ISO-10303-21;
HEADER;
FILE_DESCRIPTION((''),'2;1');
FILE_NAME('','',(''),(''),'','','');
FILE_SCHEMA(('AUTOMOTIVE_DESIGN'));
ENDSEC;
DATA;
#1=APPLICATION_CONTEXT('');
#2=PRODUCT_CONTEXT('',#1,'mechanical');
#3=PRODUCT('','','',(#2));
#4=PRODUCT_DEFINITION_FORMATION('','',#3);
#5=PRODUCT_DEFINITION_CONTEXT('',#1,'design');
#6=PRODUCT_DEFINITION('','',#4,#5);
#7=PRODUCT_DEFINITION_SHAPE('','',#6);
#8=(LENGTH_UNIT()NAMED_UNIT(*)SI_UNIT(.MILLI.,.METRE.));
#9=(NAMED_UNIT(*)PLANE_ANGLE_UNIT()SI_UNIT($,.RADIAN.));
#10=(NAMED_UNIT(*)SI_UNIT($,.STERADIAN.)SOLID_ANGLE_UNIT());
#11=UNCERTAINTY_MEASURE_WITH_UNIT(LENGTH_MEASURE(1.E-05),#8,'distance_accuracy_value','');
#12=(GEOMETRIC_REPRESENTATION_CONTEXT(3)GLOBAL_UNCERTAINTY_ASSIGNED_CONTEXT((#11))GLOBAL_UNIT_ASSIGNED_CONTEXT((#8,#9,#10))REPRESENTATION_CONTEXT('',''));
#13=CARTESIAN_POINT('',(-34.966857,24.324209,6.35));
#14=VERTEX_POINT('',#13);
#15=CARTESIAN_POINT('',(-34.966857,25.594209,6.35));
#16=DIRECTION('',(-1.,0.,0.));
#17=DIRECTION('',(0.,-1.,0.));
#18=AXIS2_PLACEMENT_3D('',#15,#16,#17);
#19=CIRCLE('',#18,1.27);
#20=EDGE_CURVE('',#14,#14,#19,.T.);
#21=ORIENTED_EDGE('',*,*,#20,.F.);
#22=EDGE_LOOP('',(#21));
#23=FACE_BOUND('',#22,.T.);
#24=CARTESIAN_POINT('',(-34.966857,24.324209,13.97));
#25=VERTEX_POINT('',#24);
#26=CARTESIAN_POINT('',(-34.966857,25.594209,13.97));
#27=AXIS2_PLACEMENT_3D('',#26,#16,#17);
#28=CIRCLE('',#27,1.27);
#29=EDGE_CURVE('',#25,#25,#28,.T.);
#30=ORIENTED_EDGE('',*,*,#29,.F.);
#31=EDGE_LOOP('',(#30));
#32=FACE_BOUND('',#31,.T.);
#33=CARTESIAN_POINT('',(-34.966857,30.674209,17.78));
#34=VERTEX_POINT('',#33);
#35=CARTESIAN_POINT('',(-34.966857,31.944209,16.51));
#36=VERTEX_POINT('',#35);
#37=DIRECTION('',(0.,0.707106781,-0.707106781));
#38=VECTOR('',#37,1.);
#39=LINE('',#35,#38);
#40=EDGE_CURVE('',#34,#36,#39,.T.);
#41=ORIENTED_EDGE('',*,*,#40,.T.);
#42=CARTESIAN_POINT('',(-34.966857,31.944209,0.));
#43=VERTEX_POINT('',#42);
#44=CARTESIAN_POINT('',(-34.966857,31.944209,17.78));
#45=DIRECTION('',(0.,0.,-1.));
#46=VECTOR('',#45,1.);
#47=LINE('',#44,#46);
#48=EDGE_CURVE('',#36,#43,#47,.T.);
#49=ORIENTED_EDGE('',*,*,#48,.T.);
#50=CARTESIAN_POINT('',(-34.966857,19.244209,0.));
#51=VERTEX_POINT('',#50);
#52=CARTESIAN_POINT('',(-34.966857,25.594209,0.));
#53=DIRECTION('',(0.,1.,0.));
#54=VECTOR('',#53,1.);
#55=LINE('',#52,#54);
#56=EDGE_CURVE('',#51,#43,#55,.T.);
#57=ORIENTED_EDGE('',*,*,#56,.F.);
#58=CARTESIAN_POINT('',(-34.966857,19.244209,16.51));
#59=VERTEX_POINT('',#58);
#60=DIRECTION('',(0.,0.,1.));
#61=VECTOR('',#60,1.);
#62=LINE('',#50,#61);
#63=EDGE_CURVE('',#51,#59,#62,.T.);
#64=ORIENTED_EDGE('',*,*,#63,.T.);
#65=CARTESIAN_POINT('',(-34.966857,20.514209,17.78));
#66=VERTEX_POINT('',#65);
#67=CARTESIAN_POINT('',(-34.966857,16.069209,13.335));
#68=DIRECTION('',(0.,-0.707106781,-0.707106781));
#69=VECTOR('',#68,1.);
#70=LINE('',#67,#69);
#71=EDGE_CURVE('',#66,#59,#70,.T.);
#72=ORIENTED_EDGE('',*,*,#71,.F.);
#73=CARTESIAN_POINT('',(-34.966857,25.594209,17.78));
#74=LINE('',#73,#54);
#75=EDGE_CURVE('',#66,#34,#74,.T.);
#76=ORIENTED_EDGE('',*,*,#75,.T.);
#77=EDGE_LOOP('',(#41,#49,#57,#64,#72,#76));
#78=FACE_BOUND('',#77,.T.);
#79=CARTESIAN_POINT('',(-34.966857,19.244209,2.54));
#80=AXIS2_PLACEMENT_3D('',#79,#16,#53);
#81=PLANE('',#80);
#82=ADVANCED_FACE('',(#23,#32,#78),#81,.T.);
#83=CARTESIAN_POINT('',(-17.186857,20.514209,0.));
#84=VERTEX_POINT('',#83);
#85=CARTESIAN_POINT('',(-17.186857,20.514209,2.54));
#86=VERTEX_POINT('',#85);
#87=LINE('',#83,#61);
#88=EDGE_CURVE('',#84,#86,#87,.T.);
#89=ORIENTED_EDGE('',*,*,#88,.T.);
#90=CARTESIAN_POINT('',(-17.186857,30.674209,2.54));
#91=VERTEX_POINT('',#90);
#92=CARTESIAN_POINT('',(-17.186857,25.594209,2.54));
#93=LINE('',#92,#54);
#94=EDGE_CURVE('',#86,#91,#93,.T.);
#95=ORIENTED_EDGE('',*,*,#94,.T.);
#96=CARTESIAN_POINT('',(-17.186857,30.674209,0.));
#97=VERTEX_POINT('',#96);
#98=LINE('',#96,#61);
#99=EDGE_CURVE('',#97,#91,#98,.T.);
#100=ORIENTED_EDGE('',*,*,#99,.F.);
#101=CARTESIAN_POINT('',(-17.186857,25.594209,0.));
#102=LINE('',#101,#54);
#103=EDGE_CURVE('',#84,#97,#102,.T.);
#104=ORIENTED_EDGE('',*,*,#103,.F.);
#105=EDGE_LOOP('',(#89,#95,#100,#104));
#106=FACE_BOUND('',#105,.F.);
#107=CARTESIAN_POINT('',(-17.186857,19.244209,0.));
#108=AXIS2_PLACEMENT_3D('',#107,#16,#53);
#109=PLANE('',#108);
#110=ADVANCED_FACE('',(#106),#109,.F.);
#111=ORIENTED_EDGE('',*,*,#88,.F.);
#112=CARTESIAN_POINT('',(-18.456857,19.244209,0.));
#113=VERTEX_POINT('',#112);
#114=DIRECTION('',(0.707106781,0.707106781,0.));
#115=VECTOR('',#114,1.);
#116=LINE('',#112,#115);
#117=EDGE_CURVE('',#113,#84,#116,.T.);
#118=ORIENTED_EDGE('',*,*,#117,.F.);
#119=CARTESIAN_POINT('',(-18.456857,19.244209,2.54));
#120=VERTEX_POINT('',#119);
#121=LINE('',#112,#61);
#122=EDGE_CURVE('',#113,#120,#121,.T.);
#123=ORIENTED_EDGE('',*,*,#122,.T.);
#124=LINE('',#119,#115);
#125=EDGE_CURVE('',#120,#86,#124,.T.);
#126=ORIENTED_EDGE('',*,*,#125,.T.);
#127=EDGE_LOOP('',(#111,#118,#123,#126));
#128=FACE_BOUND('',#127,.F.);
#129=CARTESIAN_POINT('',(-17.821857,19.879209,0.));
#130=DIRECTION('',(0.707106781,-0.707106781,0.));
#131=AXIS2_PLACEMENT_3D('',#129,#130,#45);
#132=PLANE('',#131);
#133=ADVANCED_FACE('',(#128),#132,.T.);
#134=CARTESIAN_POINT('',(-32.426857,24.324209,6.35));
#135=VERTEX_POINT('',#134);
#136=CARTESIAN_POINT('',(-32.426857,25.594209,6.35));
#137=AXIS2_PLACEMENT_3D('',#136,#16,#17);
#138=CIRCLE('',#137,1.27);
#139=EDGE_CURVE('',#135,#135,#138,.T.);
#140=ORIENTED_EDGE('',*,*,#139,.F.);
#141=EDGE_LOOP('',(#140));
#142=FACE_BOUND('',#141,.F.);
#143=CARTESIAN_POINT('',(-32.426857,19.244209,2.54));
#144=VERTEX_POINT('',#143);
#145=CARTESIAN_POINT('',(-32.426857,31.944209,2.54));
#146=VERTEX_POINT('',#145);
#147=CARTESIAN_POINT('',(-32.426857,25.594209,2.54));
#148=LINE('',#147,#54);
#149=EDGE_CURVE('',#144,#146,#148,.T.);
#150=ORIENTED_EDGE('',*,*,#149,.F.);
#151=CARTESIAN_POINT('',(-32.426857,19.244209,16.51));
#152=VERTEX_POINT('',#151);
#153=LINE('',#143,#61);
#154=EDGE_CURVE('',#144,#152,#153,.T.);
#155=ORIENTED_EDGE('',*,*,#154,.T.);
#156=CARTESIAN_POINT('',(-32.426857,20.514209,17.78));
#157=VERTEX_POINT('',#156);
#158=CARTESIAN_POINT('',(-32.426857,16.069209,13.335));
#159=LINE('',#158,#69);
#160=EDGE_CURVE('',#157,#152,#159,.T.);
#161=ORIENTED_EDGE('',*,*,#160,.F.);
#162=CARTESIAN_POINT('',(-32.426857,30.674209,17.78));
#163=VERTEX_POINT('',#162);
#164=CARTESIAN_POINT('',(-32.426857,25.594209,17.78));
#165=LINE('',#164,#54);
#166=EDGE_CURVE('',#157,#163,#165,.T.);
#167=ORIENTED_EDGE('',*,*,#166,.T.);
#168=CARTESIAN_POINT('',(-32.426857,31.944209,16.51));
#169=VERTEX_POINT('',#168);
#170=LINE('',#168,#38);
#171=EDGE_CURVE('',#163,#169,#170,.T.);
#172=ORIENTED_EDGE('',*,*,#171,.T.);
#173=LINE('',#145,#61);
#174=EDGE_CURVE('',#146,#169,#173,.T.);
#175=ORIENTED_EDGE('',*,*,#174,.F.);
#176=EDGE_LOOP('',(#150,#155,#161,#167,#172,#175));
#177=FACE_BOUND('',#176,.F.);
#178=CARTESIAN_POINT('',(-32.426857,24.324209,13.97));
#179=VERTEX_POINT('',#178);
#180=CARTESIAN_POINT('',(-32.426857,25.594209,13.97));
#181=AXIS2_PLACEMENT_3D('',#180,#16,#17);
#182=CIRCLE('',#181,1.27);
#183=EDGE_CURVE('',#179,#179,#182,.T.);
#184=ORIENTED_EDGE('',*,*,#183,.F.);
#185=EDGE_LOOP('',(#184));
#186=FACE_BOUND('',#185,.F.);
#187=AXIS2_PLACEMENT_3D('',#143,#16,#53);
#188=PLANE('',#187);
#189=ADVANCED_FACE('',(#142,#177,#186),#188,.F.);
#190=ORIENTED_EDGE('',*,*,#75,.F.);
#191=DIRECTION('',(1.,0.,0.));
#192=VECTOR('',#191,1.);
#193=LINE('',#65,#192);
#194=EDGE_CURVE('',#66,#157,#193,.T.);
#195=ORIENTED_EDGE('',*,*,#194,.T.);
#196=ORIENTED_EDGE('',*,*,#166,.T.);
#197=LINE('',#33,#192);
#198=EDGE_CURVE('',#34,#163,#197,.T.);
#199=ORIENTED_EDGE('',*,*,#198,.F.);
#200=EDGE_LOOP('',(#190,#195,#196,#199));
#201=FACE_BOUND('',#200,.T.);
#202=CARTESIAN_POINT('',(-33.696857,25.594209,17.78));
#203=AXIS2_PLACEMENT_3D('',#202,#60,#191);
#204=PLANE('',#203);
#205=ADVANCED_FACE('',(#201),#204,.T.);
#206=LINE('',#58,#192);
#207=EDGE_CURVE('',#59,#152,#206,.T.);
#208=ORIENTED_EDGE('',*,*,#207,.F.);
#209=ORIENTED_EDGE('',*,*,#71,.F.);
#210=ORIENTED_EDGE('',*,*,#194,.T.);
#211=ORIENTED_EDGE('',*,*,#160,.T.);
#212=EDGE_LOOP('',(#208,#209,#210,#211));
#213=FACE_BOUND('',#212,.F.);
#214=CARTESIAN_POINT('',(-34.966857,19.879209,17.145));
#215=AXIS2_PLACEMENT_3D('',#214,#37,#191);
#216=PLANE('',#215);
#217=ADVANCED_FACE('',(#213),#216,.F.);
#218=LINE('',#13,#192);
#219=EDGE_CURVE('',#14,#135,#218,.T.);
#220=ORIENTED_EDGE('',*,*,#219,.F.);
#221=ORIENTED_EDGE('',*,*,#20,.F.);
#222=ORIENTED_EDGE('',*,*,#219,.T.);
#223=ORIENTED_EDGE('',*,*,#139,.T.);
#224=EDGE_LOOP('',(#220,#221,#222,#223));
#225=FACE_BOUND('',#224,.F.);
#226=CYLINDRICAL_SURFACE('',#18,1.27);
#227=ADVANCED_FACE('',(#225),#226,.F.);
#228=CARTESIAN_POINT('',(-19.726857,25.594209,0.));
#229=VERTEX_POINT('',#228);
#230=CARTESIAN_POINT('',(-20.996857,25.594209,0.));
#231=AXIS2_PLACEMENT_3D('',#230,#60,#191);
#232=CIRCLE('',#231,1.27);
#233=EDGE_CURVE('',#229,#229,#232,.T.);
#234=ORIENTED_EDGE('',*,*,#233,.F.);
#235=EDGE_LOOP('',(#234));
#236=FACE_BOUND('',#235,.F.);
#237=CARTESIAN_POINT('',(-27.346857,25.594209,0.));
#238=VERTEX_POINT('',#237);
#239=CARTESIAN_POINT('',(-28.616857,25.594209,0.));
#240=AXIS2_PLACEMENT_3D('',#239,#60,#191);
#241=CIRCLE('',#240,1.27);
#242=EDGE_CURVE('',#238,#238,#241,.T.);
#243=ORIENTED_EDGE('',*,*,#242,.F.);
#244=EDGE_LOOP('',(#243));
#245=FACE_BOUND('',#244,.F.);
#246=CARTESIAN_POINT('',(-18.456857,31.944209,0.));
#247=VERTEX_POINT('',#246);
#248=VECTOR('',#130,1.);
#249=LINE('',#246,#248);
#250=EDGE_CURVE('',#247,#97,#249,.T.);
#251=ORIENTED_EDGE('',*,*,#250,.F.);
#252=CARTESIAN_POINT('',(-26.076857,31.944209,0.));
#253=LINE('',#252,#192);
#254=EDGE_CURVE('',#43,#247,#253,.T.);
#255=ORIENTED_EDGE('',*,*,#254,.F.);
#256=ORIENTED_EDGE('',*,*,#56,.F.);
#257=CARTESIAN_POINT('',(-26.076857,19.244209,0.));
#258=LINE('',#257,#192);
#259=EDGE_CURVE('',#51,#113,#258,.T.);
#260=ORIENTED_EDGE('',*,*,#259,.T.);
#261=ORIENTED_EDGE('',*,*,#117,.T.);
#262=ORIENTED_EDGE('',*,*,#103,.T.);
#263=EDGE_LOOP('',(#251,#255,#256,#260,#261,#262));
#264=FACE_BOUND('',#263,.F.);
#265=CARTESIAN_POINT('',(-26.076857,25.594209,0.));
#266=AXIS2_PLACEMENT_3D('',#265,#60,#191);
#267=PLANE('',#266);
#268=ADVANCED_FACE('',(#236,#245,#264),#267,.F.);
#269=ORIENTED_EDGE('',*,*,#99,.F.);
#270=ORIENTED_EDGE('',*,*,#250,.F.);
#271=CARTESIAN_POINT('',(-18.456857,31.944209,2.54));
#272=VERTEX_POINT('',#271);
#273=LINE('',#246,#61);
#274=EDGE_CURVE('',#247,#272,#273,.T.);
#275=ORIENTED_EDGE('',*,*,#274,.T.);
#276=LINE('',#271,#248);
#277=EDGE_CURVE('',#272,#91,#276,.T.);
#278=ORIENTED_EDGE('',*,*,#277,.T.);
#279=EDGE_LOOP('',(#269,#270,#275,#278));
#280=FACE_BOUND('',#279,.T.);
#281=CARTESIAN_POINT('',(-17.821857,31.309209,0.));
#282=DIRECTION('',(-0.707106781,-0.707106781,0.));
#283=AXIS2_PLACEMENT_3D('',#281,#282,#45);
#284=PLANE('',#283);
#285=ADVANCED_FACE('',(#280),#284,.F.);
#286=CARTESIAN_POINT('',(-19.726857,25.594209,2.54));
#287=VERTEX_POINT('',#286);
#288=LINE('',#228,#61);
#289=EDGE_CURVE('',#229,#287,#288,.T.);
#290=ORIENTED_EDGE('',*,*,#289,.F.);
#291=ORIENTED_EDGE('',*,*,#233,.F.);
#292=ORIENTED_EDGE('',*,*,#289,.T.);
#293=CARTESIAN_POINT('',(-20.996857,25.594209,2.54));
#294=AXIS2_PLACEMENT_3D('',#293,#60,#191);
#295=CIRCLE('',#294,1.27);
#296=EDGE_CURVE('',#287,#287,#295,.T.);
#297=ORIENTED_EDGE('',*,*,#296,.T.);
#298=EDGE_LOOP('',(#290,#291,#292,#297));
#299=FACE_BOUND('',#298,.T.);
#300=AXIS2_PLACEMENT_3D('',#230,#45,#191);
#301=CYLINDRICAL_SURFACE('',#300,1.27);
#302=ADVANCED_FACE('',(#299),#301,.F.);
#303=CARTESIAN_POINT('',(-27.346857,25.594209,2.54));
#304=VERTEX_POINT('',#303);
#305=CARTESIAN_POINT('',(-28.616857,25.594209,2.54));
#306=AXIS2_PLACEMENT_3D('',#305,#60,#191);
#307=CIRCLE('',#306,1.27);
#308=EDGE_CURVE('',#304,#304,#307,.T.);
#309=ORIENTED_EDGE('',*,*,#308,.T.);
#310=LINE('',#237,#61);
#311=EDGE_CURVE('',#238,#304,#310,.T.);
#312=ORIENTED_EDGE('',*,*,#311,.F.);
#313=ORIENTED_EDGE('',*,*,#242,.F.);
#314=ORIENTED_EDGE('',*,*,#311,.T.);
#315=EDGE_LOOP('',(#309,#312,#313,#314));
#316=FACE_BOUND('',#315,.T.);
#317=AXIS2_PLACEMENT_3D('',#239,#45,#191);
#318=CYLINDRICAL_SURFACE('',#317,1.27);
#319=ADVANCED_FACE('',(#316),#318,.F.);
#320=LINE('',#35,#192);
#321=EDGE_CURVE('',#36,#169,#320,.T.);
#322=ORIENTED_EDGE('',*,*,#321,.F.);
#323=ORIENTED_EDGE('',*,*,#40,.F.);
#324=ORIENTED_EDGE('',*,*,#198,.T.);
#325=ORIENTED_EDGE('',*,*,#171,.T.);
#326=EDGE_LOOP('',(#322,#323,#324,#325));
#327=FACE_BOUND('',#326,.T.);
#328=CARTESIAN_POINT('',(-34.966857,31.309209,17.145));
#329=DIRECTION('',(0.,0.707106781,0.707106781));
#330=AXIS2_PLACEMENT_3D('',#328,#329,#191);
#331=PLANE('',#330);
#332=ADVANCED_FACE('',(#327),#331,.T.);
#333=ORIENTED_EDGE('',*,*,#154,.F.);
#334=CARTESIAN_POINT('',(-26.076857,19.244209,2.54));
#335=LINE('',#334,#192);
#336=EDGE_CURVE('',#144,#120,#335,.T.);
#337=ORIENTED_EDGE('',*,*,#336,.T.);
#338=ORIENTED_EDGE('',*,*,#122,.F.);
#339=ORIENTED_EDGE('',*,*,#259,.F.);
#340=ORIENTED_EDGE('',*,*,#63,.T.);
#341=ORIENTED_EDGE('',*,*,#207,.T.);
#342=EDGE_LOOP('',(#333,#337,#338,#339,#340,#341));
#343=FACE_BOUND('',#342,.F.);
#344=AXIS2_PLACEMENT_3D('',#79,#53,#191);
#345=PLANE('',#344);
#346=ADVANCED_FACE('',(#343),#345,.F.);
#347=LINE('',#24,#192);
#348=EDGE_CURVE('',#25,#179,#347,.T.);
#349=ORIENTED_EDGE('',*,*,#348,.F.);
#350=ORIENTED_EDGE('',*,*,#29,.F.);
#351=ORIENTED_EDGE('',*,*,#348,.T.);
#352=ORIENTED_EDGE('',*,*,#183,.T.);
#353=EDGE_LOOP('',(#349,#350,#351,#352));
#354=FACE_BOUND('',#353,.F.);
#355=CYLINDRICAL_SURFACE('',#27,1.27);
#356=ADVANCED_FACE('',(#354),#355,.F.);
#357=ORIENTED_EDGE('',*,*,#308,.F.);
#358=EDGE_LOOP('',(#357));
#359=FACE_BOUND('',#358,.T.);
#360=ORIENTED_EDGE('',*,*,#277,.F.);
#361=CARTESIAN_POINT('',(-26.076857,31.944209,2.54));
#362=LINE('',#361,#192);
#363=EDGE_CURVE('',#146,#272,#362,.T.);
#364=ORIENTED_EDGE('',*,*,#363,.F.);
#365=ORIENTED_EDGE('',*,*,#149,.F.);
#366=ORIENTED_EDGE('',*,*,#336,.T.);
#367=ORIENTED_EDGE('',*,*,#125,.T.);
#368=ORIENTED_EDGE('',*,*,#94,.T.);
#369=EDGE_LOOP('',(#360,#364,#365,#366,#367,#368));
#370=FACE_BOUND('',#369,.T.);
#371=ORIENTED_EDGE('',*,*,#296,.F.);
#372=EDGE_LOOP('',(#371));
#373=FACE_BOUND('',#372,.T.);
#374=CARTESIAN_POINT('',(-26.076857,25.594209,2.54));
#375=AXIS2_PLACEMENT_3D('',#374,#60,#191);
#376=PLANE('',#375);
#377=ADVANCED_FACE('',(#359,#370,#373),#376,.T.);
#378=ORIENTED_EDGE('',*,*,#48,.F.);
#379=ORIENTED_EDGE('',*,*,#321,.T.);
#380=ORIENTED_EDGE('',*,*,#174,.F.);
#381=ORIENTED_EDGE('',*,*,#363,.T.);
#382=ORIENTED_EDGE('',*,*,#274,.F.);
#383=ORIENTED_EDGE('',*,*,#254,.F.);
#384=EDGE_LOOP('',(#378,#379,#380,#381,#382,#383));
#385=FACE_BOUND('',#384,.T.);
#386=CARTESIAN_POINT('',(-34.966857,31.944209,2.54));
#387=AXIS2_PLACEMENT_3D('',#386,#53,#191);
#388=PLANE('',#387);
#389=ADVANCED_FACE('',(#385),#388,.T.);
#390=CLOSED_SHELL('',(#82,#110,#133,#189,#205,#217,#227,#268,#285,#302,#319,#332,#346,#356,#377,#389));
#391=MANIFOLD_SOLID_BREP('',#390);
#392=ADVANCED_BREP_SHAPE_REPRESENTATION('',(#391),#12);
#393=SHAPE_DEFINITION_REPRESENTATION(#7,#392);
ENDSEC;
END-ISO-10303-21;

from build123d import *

# Parameters (mm, degrees)
F0_W     = 17.78
F0_H     = 12.7
F0_R     = 1.27
F1_DEPTH = 2.54
F2_W     = 2.54
F2_H     = 12.7
F3_DEPTH = 15.24
F4_R     = 1.27
F5_DEPTH = 25.4
F6_SIZE  = 1.27


with BuildPart() as f1:
    # F0 (on Top) → F1 (new body)
    with BuildSketch(Plane.XY):
        with Locations((-26.076857, 25.594209)):
            Rectangle(F0_W, F0_H)
        with Locations((-28.616857, 25.594209)):
            Circle(F0_R, mode=Mode.SUBTRACT)
        with Locations((-20.996857, 25.594209)):
            Circle(F0_R, mode=Mode.SUBTRACT)
    extrude(amount=F1_DEPTH)

    # F2 (on face) → F3 (join)
    with BuildSketch(Plane.XY.offset(2.54)):
        with Locations((-33.696857, 25.594209)):
            Rectangle(F2_W, F2_H)
    extrude(amount=F3_DEPTH)

    # F4 (on face) → F5 (cut)
    with BuildSketch(Plane(origin=(-34.966857, 0, 0), x_dir=(0, -1, 0), z_dir=(-1, 0, 0))):
        with Locations((-25.594209, 13.97)):
            Circle(F4_R)
        with Locations((-25.594209, 6.35)):
            Circle(F4_R)
    extrude(amount=-F5_DEPTH, mode=Mode.SUBTRACT)

    # F6
    f6_edges = [f1.edges().sort_by_distance(p)[0] for p in [
        (-33.696857, 19.244209, 17.78),
        (-33.696857, 31.944209, 17.78),
        (-17.186857, 19.244209, 1.27),
        (-17.186857, 31.944209, 1.27),
    ]]
    chamfer(f6_edges, length=F6_SIZE)


solid = f1.part
